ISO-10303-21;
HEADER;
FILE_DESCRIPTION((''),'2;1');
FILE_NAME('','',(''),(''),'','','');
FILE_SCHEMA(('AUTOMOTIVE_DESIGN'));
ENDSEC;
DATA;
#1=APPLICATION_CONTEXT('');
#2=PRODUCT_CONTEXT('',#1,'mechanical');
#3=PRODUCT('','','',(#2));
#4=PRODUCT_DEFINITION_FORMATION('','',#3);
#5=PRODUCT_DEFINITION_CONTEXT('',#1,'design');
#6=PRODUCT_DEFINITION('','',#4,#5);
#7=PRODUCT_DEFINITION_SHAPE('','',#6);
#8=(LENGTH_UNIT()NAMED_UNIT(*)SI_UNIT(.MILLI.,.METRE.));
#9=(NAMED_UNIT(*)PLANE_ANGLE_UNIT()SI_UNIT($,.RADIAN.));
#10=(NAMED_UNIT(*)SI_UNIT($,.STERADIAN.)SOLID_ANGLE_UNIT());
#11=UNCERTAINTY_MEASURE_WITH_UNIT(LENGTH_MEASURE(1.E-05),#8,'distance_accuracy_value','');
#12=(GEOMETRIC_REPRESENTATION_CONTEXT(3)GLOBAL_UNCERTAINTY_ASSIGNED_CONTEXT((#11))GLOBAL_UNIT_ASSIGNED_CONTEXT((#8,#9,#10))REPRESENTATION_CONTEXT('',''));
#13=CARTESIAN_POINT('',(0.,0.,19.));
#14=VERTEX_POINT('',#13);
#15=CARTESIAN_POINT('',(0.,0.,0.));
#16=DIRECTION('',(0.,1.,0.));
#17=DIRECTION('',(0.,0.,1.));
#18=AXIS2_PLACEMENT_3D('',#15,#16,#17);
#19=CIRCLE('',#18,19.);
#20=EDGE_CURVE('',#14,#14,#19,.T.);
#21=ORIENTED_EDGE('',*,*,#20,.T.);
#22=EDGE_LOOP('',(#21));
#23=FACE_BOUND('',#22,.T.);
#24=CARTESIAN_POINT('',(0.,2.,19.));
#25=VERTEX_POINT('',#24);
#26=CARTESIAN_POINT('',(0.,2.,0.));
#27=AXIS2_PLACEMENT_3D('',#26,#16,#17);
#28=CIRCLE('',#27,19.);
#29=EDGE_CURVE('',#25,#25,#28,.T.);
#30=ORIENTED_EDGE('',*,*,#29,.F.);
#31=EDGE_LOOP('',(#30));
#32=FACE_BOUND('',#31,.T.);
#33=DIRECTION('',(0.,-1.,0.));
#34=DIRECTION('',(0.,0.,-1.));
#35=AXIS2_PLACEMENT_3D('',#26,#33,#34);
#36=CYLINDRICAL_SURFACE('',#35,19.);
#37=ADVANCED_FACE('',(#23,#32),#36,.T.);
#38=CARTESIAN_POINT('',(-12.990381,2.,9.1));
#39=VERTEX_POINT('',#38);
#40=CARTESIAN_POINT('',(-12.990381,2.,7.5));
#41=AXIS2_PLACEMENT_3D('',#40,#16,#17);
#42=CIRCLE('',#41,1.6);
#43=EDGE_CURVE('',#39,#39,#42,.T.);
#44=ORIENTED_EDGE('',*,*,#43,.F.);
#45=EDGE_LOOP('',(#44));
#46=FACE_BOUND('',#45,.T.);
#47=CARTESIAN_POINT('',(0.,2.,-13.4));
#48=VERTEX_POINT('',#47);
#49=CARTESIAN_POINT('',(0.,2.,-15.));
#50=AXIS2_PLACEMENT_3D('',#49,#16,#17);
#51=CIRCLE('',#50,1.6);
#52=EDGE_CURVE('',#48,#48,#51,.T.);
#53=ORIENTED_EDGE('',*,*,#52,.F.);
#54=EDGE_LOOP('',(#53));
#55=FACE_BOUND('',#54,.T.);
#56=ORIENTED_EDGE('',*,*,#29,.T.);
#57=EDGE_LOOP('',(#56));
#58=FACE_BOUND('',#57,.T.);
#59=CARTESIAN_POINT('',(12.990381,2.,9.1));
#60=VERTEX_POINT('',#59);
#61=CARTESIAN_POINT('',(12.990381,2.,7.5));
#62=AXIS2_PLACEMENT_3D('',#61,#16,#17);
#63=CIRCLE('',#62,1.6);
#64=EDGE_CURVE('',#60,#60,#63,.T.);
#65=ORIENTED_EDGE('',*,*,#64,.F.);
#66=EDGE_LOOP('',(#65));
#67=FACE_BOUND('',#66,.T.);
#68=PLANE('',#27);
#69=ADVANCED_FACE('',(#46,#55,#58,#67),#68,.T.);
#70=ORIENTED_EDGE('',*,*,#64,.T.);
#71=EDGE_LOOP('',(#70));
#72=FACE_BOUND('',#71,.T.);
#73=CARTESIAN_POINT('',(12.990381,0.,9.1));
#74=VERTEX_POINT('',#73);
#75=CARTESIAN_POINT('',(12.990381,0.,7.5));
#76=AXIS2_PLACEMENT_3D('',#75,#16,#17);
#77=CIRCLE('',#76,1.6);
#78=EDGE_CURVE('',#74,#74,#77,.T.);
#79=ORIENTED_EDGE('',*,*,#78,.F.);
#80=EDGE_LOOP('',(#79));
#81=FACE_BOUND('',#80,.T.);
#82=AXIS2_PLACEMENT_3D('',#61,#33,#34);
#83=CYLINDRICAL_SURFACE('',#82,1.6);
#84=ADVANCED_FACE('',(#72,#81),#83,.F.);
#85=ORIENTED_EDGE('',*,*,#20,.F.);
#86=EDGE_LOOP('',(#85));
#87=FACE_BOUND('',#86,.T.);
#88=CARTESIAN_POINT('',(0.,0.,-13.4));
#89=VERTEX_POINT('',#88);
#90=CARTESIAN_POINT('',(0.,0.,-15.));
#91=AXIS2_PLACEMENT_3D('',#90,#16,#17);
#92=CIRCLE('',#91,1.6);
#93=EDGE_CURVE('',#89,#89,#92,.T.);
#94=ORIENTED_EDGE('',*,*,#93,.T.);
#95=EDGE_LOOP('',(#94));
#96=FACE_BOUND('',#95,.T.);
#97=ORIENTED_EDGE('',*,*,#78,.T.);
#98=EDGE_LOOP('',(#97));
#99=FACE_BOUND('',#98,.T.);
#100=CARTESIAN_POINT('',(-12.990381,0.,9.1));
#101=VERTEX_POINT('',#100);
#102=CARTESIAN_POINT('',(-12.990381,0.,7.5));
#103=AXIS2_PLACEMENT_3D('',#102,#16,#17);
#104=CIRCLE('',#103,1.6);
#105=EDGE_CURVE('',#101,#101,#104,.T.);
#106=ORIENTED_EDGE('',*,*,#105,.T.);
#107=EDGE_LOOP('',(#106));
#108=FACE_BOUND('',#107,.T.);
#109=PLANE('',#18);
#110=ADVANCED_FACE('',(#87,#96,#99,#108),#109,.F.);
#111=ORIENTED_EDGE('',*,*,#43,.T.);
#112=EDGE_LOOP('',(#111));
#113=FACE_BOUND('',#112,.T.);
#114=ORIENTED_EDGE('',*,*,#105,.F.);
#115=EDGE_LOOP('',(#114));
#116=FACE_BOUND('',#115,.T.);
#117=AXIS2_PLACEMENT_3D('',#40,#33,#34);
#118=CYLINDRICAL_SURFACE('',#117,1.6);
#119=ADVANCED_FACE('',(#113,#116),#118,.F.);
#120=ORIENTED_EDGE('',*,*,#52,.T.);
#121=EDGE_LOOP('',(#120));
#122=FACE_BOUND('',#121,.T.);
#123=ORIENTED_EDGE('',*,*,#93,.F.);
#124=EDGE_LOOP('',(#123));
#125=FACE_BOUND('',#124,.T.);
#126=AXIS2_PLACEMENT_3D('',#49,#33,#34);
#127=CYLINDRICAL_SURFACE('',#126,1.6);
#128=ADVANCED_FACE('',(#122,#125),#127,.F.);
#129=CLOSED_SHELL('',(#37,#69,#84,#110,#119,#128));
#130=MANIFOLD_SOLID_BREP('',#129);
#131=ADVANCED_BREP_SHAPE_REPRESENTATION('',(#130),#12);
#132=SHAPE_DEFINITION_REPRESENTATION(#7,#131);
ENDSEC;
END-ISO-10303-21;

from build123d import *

# Parameters (mm, degrees)
SKETCH1_R           = 19
SKETCH1_R_2         = 1.6
BOSS_EXTRUDE1_DEPTH = 2


with BuildPart() as part:
    # Sketch1 → Boss-Extrude1 (new body)
    with BuildSketch(Plane(origin=(0, 0, 0), x_dir=(1, 0, 0), z_dir=(0, 1, 0))):
        with Locations(Location((0, 0, 0), (0, 0, 270))):
            Circle(SKETCH1_R)
        with Locations(Location((0, 15, 0), (0, 0, 270))):
            Circle(SKETCH1_R_2, mode=Mode.SUBTRACT)
        with Locations(Location((12.990381057, -7.5, 0), (0, 0, 270))):
            Circle(SKETCH1_R_2, mode=Mode.SUBTRACT)
        with Locations(Location((-12.990381057, -7.5, 0), (0, 0, 270))):
            Circle(SKETCH1_R_2, mode=Mode.SUBTRACT)
    extrude(amount=BOSS_EXTRUDE1_DEPTH)


solid = part.part
